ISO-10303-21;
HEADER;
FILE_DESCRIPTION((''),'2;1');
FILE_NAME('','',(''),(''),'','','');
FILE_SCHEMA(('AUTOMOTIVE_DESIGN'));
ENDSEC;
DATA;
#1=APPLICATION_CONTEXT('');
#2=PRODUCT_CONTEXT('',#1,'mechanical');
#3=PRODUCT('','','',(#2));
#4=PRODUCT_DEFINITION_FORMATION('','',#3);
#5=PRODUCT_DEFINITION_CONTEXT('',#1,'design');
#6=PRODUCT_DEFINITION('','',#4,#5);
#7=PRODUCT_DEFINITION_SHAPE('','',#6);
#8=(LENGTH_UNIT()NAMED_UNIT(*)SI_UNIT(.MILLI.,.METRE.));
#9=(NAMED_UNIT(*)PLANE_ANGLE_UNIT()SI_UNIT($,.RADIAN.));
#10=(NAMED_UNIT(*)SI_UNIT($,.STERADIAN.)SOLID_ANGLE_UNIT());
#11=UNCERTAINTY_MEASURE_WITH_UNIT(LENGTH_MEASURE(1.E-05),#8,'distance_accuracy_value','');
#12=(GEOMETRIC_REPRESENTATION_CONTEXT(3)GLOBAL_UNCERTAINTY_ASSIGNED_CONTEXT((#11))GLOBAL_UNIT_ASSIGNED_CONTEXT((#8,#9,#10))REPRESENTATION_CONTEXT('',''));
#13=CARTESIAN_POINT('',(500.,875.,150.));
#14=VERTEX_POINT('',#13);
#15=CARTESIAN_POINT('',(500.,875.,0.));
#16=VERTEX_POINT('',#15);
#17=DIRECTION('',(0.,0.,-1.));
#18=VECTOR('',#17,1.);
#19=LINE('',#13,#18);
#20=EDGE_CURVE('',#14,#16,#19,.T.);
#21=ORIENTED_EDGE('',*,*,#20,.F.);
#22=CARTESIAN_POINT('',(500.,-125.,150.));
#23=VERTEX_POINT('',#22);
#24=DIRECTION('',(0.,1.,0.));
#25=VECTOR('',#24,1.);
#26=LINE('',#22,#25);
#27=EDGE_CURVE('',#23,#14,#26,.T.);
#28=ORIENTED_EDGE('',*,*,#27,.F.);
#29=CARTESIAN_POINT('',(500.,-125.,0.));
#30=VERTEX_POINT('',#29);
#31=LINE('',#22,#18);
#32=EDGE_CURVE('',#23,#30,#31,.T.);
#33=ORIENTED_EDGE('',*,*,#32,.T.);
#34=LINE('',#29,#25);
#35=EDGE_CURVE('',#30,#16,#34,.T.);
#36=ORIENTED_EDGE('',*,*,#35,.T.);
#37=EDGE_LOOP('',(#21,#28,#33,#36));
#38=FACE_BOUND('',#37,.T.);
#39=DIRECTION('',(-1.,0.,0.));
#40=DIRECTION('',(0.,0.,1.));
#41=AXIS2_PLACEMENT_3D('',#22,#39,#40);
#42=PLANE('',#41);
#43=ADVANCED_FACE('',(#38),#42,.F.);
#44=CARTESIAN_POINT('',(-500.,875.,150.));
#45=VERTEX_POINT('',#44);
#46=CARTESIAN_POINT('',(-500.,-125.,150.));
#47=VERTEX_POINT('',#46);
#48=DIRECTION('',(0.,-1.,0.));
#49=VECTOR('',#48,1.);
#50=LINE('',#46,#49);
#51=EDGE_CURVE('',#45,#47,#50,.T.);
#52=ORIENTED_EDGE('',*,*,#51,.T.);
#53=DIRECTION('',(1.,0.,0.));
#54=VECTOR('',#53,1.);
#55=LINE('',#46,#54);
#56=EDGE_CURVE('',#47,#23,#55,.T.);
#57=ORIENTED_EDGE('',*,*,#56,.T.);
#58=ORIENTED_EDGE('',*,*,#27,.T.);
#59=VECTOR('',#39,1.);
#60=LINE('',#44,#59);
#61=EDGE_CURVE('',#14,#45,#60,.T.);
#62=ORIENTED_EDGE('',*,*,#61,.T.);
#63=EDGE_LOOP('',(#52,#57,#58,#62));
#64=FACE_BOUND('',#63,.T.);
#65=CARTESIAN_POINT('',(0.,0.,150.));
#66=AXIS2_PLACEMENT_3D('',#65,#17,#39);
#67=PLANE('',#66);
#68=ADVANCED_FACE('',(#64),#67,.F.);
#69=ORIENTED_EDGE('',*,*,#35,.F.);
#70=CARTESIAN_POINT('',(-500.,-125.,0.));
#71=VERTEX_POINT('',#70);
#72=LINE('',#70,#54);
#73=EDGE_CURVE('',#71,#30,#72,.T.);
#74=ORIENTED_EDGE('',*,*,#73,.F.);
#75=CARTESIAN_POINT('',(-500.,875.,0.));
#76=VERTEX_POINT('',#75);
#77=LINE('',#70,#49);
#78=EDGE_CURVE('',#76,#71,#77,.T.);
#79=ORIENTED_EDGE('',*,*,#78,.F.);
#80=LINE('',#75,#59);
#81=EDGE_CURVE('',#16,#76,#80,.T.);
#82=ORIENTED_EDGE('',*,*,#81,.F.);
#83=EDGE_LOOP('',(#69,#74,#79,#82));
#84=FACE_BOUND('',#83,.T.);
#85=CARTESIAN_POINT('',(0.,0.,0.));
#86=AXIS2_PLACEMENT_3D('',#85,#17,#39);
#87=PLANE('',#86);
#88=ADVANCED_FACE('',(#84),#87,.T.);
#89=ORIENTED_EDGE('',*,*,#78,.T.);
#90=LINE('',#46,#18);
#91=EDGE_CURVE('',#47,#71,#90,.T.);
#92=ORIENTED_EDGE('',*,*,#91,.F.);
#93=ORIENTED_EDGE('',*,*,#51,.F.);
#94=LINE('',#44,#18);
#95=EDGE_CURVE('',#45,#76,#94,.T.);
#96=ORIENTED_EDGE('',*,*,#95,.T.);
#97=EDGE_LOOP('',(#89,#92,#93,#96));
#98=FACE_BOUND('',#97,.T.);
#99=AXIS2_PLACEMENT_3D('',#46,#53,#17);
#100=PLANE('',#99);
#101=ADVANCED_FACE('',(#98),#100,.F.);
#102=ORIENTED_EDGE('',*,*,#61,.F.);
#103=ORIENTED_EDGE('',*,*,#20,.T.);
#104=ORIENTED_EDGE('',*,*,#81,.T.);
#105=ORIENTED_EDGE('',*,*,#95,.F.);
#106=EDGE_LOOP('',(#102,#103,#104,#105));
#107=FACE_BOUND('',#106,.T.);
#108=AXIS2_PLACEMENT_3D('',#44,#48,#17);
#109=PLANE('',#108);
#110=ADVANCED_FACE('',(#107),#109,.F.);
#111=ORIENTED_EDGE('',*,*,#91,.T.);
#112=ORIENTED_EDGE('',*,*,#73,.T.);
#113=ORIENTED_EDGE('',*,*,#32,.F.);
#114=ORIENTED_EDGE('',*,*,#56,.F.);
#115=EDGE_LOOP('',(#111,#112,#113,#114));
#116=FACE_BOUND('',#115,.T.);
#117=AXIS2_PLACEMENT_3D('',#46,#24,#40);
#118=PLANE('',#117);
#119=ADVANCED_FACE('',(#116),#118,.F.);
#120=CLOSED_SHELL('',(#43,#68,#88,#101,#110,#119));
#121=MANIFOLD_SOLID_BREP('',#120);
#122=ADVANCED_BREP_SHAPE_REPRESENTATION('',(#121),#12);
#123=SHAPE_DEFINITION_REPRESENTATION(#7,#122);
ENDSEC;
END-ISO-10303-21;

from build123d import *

# Parameters (mm, degrees)
SKETCH_1_W      = 1000
SKETCH_1_H      = 250
EXTRUDE_1_DEPTH = 150
SKETCH_2_W      = 1000
SKETCH_2_H      = 250
EXTRUDE_2_DEPTH = 150
SKETCH_3_W      = 1000
SKETCH_3_H      = 250
EXTRUDE_3_DEPTH = 150
SKETCH_4_W      = 1000
SKETCH_4_H      = 250
EXTRUDE_4_DEPTH = 150


with BuildPart() as part:
    # 草图1 → 凸台-拉伸1 (new body)
    with BuildSketch(Plane.XY):
        Rectangle(SKETCH_1_W, SKETCH_1_H)
    extrude(amount=EXTRUDE_1_DEPTH)

    # 草图2 → 凸台-拉伸2 (add)
    with BuildSketch(Plane.XY):
        with Locations((0, 250)):
            Rectangle(SKETCH_2_W, SKETCH_2_H)
    extrude(amount=EXTRUDE_2_DEPTH)

    # 草图3 → 凸台-拉伸3 (add)
    with BuildSketch(Plane.XY):
        with Locations((0, 500)):
            Rectangle(SKETCH_3_W, SKETCH_3_H)
    extrude(amount=EXTRUDE_3_DEPTH)

    # 草图4 → 凸台-拉伸4 (add)
    with BuildSketch(Plane.XY):
        with Locations((0, 750)):
            Rectangle(SKETCH_4_W, SKETCH_4_H)
    extrude(amount=EXTRUDE_4_DEPTH)


solid = part.part
